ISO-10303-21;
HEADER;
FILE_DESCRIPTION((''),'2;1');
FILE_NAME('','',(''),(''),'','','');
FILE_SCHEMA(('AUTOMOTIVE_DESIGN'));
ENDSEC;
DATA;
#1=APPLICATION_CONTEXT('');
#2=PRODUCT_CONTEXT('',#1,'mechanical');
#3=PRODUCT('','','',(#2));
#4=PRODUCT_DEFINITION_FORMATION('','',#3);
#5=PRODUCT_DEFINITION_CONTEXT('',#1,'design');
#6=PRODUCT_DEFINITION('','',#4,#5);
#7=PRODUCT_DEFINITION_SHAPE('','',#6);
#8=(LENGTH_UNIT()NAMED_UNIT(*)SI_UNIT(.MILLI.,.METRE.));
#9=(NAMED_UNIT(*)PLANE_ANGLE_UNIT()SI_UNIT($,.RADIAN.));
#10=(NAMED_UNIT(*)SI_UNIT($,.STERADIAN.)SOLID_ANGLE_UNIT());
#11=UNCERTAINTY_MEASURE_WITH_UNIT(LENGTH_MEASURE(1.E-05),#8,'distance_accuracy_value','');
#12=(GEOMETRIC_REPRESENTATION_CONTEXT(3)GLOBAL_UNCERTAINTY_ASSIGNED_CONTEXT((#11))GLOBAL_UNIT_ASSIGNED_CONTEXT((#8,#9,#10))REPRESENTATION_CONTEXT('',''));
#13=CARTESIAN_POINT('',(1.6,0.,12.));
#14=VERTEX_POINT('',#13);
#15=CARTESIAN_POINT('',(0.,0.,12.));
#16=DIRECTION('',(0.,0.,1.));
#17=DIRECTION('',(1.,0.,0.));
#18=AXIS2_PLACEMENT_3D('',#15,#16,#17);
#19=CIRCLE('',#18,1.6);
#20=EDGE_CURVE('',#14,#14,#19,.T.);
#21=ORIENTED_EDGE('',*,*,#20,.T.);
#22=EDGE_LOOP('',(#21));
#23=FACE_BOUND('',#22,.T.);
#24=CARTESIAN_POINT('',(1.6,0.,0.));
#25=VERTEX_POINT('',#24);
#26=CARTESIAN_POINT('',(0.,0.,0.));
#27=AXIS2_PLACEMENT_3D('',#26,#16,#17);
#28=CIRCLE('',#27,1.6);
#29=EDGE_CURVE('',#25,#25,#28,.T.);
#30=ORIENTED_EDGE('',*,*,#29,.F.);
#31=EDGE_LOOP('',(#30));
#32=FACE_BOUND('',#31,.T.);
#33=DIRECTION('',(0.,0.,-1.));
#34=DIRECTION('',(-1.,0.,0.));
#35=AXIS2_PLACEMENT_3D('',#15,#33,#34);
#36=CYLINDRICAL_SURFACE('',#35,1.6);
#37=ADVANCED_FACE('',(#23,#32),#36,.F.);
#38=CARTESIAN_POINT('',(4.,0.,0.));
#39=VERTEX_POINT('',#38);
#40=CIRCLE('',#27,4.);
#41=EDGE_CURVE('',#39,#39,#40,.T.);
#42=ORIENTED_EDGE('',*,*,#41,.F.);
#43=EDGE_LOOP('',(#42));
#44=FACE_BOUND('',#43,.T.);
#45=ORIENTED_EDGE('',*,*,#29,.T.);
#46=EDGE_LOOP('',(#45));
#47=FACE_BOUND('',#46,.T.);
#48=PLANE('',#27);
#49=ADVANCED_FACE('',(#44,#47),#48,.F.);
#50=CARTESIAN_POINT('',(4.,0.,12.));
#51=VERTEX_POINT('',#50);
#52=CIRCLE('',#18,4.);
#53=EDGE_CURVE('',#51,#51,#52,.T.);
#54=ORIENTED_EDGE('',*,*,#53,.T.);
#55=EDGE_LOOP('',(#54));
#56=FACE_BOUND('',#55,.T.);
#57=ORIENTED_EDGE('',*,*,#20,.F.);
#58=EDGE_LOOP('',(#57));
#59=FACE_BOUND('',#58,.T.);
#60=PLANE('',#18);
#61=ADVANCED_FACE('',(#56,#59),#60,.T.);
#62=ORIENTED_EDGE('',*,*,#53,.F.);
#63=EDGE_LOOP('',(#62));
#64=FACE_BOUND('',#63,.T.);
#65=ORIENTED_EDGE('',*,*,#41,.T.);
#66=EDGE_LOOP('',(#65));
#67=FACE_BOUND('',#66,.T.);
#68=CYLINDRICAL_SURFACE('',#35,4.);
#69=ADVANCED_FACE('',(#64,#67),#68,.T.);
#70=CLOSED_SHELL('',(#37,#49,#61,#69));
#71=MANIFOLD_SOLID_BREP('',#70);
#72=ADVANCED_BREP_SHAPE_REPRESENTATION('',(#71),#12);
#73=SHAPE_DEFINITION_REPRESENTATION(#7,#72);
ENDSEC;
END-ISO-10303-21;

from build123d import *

# Parameters (mm, degrees)
SKETCH_1_R      = 4
SKETCH_1_R_2    = 1.6
EXTRUDE_1_DEPTH = 12


with BuildPart() as part:
    # ｽｹｯﾁ1 → ﾎﾞｽ - 押し出し1 (new body)
    with BuildSketch(Plane.XY):
        Circle(SKETCH_1_R)
        Circle(SKETCH_1_R_2, mode=Mode.SUBTRACT)
    extrude(amount=EXTRUDE_1_DEPTH)


solid = part.part
